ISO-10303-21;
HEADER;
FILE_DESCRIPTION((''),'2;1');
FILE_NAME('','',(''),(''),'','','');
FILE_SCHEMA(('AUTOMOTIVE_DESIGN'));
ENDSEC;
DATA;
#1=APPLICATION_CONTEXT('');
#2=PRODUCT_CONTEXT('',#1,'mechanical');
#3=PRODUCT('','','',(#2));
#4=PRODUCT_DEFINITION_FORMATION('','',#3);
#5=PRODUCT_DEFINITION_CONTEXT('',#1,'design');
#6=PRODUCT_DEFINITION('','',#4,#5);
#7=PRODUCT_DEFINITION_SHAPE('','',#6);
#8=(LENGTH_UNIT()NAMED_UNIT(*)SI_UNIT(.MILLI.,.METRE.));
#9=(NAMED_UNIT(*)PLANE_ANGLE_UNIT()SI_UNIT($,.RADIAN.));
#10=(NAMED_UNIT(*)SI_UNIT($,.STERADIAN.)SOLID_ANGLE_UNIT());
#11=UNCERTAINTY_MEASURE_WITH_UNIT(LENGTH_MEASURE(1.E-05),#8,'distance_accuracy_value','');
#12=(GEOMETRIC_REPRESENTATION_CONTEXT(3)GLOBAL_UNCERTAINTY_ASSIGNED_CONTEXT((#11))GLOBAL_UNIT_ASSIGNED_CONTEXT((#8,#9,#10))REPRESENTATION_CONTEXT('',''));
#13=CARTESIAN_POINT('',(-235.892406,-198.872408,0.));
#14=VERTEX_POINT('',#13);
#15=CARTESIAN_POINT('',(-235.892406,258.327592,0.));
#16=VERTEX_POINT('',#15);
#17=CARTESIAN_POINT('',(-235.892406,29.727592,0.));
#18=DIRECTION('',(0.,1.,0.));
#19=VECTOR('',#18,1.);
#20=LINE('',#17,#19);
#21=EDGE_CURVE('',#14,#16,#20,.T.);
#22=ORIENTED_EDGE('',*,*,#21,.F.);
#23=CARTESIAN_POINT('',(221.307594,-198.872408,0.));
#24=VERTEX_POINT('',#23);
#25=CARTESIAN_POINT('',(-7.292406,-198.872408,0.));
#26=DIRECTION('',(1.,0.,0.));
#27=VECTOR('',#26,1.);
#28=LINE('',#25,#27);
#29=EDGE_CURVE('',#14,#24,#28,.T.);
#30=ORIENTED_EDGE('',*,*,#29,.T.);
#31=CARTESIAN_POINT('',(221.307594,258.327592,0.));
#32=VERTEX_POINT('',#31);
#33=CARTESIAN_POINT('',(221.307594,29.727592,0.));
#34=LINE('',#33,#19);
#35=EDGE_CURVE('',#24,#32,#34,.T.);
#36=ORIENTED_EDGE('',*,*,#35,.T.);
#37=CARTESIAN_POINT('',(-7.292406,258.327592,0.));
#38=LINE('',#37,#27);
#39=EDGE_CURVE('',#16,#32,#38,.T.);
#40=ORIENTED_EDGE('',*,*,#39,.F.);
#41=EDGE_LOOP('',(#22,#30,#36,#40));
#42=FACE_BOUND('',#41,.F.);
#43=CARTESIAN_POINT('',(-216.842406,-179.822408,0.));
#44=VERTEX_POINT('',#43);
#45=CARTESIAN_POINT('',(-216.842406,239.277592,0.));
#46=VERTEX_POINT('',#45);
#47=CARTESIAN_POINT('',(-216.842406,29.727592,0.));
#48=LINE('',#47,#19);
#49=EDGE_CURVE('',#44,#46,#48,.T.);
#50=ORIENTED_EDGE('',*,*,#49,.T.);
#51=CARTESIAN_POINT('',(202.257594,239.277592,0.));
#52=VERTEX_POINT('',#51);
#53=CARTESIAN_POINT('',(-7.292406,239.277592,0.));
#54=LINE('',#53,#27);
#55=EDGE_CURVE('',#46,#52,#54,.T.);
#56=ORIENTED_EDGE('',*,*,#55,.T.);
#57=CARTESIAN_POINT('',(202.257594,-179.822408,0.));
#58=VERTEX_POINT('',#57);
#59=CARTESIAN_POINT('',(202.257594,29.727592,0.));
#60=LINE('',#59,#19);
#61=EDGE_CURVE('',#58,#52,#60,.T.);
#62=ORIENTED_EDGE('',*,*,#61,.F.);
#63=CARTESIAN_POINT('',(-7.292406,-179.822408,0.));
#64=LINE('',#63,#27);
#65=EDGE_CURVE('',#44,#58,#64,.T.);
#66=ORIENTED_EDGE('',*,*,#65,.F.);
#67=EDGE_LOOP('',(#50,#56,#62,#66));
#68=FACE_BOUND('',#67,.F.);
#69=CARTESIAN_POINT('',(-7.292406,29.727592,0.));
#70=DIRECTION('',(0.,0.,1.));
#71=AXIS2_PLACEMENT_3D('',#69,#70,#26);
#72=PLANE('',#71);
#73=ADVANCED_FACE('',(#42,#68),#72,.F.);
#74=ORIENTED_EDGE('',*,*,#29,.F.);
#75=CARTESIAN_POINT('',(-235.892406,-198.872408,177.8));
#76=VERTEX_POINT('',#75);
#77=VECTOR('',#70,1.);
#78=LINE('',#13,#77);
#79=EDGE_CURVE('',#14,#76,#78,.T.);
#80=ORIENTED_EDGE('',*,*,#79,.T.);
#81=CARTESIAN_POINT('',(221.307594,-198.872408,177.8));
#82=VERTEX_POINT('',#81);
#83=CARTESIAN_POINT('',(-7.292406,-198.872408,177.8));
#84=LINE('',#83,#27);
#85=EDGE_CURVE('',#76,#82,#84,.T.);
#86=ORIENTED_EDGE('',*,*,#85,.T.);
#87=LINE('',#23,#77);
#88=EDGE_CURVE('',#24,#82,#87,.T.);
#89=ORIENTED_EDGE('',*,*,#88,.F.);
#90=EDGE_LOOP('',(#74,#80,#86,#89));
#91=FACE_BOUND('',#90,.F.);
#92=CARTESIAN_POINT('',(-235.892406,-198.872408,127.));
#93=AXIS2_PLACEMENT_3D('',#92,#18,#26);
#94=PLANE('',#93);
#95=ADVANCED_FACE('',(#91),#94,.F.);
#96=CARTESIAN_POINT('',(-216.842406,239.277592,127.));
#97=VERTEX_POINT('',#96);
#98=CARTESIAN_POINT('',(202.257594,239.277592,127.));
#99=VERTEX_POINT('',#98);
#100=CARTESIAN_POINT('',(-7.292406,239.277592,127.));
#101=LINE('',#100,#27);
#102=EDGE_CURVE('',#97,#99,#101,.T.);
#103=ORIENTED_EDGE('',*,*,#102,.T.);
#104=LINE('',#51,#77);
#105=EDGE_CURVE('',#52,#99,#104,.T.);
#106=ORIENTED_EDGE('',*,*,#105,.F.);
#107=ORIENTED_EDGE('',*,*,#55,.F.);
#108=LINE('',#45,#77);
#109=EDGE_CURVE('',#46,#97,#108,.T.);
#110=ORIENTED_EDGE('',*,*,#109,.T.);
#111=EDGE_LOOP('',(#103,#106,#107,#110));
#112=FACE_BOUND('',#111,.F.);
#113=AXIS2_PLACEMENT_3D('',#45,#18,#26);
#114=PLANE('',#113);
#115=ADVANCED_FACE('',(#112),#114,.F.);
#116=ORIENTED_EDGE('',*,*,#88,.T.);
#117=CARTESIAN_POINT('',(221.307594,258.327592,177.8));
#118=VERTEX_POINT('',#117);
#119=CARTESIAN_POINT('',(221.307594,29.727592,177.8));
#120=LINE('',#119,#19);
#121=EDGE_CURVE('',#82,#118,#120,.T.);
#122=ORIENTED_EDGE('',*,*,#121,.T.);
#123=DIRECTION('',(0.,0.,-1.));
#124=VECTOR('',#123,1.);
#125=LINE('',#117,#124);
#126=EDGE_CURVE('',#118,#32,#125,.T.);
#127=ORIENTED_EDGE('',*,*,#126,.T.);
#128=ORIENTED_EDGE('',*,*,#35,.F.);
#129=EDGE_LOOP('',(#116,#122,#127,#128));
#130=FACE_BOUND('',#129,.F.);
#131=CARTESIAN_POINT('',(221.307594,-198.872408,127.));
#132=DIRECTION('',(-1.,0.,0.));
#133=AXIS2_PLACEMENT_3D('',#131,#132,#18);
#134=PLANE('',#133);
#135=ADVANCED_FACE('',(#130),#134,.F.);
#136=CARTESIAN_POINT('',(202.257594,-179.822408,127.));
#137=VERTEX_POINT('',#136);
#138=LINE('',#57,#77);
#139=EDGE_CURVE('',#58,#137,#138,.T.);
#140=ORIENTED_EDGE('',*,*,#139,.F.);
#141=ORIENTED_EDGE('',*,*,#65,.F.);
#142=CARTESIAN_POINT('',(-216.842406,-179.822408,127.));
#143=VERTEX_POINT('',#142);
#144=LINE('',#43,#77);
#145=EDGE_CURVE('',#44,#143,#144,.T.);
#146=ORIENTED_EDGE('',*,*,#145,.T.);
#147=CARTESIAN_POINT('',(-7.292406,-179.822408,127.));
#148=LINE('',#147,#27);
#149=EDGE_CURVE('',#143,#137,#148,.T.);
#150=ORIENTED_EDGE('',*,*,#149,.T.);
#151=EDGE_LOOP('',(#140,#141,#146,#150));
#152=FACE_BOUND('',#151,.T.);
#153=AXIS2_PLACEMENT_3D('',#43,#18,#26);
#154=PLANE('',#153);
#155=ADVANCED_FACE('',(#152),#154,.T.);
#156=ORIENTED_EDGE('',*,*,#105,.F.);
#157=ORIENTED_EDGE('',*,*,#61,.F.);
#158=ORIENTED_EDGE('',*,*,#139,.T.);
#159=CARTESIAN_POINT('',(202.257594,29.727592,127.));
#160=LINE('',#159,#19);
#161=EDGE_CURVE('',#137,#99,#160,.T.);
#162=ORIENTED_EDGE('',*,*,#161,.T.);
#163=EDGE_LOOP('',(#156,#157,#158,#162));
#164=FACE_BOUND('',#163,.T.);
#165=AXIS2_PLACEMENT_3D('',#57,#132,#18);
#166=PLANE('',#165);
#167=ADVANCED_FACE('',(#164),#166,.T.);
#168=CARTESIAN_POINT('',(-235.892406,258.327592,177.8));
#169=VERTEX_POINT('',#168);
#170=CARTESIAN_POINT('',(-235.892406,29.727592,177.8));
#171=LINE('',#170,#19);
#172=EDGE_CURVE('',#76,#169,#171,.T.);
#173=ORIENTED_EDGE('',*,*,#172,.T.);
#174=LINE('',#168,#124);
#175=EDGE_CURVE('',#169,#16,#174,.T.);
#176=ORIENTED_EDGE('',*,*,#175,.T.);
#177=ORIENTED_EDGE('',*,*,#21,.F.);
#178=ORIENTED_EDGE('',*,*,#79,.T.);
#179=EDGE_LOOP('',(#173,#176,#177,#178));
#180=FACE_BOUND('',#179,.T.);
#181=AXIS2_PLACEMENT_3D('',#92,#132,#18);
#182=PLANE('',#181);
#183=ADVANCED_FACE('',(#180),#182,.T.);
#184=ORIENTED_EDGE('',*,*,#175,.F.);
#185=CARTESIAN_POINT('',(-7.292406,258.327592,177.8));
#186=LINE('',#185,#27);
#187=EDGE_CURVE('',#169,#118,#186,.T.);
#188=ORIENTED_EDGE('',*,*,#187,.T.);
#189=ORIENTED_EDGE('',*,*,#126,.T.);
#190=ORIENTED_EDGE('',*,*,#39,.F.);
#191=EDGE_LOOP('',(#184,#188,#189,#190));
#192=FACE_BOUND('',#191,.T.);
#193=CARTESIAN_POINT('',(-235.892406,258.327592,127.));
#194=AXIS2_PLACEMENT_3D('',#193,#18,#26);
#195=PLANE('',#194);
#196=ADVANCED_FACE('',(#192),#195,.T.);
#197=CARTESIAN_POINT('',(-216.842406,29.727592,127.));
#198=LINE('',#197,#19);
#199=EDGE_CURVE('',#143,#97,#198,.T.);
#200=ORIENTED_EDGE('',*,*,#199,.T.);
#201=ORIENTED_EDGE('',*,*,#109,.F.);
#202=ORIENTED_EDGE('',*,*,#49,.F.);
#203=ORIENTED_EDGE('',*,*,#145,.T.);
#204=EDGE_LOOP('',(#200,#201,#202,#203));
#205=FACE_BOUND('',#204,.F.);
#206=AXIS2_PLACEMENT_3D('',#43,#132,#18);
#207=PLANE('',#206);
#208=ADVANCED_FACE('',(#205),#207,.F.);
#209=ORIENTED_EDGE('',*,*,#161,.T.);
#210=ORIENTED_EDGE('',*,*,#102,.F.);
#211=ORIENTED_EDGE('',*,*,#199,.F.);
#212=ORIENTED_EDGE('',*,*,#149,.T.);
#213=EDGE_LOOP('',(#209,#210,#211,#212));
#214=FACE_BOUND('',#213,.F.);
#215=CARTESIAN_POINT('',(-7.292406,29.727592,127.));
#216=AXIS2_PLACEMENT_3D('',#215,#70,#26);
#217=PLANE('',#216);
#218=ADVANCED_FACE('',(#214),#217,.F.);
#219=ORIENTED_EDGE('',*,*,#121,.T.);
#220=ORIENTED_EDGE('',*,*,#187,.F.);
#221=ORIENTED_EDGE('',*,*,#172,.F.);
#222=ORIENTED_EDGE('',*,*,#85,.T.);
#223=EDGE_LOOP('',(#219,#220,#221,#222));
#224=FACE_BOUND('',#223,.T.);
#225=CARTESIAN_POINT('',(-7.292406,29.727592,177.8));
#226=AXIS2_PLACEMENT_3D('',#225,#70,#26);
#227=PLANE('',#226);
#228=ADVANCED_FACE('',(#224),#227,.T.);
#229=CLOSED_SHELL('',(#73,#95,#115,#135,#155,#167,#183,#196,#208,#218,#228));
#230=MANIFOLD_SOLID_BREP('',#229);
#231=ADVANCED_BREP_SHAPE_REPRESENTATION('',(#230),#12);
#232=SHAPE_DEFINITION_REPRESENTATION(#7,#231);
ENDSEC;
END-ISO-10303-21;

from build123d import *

# Parameters (mm, degrees)
F0_W     = 457.2
F0_H     = 457.2
F0_W_2   = 419.1
F0_H_2   = 419.1
F1_DEPTH = 127
F2_W     = 457.2
F2_H     = 457.2
F3_DEPTH = 50.8


with BuildPart() as f1:
    # F0 (on Top) → F1 (new body)
    with BuildSketch(Plane.XY):
        with Locations((-7.292406, 29.727592)):
            Rectangle(F0_W, F0_H)
        with Locations((-7.292406, 29.727592)):
            Rectangle(F0_W_2, F0_H_2, mode=Mode.SUBTRACT)
    extrude(amount=F1_DEPTH)

    # F2 (on face) → F3 (join)
    with BuildSketch(Plane.XY.offset(127)):
        with Locations((-7.292406, 29.727592)):
            Rectangle(F2_W, F2_H)
    extrude(amount=F3_DEPTH)


solid = f1.part
